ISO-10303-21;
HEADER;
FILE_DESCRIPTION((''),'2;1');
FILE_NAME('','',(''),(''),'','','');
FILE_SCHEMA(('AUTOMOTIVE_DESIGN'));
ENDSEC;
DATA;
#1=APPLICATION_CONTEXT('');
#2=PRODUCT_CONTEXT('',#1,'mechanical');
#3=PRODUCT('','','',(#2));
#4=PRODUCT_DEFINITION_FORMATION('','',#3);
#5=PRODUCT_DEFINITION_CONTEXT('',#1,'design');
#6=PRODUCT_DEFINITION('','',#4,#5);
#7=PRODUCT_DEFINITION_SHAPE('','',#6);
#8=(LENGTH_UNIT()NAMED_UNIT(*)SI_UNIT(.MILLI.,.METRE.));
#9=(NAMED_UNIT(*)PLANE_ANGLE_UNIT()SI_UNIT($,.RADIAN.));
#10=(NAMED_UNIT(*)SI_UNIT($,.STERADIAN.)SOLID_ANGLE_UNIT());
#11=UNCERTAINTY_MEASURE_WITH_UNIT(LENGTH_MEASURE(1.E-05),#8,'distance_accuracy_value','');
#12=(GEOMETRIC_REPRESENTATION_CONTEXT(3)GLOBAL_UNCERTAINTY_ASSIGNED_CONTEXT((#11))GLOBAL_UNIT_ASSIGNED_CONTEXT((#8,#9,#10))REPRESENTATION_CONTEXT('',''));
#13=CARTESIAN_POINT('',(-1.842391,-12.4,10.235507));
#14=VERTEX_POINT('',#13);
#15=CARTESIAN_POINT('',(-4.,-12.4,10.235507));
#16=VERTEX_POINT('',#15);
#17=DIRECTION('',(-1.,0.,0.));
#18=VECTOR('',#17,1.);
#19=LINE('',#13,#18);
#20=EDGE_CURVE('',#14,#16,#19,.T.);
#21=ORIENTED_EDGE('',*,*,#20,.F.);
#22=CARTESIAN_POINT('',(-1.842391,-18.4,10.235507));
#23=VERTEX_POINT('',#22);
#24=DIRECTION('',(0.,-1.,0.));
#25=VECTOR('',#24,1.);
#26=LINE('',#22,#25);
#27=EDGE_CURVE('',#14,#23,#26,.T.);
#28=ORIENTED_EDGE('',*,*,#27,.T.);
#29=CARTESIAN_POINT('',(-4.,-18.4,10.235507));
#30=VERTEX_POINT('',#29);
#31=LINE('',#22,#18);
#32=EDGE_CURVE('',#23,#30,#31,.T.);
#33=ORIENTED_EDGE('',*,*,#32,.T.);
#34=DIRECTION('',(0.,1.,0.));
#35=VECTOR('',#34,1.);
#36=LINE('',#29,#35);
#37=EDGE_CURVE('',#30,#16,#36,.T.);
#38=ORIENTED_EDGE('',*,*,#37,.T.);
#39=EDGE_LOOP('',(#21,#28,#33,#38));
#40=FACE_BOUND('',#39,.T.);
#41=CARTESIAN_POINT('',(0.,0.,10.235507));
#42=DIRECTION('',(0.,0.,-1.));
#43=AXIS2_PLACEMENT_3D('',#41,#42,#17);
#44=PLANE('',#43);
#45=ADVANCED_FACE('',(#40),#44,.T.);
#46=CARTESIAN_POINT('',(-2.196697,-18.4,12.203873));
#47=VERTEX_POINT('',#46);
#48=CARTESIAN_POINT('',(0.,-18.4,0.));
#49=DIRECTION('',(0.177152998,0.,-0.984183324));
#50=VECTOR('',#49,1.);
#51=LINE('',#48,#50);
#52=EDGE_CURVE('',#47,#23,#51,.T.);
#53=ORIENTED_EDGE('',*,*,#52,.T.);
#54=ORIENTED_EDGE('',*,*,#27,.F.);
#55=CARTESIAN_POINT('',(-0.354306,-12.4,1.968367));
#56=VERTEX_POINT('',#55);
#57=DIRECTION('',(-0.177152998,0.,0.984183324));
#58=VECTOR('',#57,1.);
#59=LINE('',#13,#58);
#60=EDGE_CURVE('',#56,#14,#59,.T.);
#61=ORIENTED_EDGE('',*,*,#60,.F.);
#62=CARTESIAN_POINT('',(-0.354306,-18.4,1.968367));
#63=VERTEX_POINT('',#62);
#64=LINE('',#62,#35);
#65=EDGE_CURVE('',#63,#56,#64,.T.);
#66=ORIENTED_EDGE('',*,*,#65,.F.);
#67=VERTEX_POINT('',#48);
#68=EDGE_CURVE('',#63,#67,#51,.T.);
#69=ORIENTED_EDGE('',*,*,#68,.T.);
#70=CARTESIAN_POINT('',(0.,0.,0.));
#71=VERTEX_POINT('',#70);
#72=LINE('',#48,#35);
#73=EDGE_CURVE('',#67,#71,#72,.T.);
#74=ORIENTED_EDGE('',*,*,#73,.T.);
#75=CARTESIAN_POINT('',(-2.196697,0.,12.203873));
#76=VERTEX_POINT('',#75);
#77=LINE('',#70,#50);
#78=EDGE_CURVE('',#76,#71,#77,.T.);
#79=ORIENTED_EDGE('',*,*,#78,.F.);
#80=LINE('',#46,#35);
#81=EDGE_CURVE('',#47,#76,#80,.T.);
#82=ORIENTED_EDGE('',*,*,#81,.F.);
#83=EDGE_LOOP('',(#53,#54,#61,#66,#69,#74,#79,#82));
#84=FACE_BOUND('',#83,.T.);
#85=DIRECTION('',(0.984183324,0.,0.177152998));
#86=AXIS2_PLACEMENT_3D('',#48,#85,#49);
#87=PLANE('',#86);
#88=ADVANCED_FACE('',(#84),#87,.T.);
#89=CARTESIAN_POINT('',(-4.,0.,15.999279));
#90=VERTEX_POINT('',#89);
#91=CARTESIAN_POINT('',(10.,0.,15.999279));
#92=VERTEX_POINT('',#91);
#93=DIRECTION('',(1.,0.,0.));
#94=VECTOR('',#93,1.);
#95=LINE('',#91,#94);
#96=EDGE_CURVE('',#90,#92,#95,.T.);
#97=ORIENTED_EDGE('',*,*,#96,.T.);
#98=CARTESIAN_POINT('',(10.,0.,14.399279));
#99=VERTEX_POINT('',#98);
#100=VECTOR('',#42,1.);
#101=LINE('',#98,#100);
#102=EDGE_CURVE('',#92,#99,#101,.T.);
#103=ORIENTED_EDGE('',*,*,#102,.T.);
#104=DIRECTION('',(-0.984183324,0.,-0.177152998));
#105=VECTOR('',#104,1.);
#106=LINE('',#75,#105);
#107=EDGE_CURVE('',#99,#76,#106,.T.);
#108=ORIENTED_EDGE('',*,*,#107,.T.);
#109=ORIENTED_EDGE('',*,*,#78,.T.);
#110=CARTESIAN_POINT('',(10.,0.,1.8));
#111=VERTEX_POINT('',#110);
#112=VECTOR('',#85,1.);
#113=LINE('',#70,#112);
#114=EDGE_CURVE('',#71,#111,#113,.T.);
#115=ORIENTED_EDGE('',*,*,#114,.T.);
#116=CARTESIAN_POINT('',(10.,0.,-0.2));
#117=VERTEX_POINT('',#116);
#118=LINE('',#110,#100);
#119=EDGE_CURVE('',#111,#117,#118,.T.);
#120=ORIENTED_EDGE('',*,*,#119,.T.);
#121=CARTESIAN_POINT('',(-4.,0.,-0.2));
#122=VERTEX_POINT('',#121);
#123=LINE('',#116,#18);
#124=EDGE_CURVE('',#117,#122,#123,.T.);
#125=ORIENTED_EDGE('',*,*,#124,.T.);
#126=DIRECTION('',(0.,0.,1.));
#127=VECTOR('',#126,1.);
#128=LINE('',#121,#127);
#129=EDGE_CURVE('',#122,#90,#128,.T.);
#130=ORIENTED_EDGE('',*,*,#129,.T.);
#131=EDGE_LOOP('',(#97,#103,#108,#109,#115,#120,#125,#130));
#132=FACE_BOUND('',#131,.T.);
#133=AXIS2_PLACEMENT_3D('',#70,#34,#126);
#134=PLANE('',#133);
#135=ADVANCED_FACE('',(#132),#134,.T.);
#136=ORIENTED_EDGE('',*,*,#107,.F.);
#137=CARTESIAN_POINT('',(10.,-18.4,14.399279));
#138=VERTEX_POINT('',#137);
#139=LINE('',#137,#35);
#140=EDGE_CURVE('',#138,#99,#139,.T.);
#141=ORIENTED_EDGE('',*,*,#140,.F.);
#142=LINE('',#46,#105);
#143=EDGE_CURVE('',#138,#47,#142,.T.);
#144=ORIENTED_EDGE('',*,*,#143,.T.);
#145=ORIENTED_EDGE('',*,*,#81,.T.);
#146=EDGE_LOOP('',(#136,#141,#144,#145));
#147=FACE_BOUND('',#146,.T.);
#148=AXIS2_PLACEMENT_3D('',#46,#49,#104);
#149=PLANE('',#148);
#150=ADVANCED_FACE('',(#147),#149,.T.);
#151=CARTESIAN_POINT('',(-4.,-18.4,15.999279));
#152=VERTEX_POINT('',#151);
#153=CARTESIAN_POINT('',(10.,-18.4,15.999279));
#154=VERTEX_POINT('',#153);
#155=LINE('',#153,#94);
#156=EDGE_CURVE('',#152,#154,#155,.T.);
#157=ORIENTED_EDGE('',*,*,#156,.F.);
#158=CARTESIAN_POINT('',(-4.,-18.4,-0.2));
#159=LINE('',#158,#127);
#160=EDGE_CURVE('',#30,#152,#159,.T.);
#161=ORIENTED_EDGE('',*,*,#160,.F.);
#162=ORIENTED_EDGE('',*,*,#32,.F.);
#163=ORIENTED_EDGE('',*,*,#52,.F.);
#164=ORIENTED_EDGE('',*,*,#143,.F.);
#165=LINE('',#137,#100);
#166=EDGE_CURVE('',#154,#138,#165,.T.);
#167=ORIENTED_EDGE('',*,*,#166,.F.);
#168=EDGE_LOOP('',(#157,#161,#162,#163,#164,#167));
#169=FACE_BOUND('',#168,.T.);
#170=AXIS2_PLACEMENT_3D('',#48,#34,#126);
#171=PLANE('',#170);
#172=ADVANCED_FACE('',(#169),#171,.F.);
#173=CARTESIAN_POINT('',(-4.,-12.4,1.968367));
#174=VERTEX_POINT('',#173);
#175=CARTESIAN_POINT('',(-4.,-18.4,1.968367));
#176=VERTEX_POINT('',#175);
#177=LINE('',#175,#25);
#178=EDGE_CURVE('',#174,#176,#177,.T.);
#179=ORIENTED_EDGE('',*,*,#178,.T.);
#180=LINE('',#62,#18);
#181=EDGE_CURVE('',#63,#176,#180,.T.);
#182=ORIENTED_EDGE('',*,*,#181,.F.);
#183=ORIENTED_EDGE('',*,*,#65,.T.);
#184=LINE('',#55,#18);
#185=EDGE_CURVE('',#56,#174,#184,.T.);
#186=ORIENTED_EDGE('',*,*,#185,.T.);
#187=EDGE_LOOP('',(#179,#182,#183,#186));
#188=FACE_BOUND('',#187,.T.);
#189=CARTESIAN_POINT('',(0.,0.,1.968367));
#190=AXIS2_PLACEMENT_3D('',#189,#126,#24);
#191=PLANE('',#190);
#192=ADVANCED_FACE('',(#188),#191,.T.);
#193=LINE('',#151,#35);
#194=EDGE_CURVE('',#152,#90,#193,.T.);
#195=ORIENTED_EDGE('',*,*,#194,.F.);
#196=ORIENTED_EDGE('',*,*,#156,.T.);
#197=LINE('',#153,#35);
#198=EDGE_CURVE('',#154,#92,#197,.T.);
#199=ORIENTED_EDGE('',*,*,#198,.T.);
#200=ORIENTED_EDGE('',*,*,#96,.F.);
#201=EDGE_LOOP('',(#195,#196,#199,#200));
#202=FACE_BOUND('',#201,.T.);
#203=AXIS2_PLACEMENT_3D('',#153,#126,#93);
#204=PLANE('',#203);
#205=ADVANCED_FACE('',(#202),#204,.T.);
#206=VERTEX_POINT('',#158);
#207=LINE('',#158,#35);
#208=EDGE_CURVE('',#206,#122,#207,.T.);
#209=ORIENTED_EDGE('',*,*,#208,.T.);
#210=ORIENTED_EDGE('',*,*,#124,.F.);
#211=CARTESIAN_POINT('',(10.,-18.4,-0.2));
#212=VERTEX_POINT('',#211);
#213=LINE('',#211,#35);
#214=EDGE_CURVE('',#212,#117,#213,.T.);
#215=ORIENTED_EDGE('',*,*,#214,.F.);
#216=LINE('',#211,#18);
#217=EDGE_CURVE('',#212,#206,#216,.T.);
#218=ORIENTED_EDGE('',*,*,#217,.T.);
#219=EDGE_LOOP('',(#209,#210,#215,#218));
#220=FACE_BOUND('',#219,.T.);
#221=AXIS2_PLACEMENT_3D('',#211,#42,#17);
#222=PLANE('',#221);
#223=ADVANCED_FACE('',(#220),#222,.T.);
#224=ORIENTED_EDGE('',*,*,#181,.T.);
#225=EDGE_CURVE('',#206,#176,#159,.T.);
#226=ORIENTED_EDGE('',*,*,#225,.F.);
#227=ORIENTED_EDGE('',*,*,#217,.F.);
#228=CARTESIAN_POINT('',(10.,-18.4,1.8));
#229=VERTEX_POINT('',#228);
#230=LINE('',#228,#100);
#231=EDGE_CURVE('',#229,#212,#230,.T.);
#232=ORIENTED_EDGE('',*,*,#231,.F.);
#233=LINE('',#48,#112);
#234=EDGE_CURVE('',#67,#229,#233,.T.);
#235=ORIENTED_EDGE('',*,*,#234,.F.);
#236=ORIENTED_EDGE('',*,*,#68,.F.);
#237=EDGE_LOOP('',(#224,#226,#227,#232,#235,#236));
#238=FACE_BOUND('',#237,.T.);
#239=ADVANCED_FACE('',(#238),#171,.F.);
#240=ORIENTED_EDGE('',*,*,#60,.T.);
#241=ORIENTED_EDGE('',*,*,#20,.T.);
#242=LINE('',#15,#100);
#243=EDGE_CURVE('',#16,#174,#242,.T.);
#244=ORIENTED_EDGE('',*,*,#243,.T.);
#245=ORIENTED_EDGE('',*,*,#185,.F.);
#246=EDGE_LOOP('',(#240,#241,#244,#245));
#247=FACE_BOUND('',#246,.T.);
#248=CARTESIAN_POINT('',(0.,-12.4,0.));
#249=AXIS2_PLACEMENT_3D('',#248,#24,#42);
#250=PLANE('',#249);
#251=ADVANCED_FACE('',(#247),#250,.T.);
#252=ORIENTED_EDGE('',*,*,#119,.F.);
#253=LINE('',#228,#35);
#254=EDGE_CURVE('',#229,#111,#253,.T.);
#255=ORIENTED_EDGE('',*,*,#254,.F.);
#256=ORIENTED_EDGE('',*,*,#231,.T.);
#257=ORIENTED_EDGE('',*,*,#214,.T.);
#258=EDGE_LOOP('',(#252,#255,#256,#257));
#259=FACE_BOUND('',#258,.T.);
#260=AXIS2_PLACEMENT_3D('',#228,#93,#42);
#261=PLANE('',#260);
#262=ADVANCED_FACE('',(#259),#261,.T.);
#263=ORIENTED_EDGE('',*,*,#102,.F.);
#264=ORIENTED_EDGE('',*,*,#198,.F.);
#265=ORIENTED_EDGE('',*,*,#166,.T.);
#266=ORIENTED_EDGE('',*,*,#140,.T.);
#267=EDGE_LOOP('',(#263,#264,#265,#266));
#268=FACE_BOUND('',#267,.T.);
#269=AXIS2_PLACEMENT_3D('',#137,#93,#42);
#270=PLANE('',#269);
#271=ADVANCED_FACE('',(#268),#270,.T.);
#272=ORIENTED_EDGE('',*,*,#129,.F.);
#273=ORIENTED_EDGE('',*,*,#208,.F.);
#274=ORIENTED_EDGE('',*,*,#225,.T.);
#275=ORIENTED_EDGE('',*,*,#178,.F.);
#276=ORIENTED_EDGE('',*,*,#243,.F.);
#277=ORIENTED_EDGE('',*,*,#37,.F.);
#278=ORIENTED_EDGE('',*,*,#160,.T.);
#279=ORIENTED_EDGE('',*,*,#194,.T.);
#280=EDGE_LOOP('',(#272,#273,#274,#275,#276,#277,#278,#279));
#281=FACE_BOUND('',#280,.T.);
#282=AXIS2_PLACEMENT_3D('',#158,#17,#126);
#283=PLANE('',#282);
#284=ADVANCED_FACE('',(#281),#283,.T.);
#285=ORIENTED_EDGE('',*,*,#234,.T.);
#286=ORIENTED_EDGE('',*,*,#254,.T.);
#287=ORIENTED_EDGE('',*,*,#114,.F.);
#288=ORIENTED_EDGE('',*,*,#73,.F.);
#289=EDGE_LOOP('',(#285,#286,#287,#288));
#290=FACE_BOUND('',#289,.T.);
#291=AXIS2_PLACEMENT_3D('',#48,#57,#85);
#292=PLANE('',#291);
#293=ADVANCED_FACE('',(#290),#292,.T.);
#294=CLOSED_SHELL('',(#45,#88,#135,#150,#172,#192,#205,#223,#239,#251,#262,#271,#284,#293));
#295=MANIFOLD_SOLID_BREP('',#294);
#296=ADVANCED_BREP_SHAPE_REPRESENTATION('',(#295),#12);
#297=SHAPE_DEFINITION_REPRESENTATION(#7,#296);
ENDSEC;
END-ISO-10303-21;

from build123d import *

# Parameters (mm, degrees)
BASE_DEPTH = 18.4


with BuildPart() as part:
    # Croquis17 → BASE (new body)
    with BuildSketch(Plane(origin=(0, 0, 0), x_dir=(-1, 0, 0), z_dir=(0, 1, 0))):
        Polygon((0, 0), (-10, 1.8), (-10, -0.2), (4, -0.2), (4, 15.99927871), (-10, 15.99927871), (-10, 14.39927871), (2.196697179, 12.203873217), align=None)
    extrude(amount=-BASE_DEPTH)

    # Croquis19 → WIRE_WINDOW section 0
    with BuildSketch(Plane(origin=(0, 0, 0), x_dir=(0, 1, 0), z_dir=(0.9841833239736953, 0, 0.17715299831526504))):
        with BuildLine():
            Line((-18.4, 10.4), (-12.4, 10.4))
            Line((-12.4, 10.4), (-12.4, 2))
            Line((-12.4, 2), (-18.4, 2))
            Line((-18.4, 2), (-18.4, 10.4))
        make_face()
    # Croquis20 → WIRE_WINDOW section 1
    with BuildSketch(Plane(origin=(-4, 0, 0), x_dir=(0, -1, 0), z_dir=(-1, 0, 0))):
        with BuildLine():
            Line((18.4, 1.968366648), (12.4, 1.968366648))
            Line((12.4, 1.968366648), (12.4, 10.235506569))
            Line((12.4, 10.235506569), (18.4, 10.235506569))
            Line((18.4, 10.235506569), (18.4, 1.968366648))
        make_face()
    loft(mode=Mode.SUBTRACT)


solid = part.part
